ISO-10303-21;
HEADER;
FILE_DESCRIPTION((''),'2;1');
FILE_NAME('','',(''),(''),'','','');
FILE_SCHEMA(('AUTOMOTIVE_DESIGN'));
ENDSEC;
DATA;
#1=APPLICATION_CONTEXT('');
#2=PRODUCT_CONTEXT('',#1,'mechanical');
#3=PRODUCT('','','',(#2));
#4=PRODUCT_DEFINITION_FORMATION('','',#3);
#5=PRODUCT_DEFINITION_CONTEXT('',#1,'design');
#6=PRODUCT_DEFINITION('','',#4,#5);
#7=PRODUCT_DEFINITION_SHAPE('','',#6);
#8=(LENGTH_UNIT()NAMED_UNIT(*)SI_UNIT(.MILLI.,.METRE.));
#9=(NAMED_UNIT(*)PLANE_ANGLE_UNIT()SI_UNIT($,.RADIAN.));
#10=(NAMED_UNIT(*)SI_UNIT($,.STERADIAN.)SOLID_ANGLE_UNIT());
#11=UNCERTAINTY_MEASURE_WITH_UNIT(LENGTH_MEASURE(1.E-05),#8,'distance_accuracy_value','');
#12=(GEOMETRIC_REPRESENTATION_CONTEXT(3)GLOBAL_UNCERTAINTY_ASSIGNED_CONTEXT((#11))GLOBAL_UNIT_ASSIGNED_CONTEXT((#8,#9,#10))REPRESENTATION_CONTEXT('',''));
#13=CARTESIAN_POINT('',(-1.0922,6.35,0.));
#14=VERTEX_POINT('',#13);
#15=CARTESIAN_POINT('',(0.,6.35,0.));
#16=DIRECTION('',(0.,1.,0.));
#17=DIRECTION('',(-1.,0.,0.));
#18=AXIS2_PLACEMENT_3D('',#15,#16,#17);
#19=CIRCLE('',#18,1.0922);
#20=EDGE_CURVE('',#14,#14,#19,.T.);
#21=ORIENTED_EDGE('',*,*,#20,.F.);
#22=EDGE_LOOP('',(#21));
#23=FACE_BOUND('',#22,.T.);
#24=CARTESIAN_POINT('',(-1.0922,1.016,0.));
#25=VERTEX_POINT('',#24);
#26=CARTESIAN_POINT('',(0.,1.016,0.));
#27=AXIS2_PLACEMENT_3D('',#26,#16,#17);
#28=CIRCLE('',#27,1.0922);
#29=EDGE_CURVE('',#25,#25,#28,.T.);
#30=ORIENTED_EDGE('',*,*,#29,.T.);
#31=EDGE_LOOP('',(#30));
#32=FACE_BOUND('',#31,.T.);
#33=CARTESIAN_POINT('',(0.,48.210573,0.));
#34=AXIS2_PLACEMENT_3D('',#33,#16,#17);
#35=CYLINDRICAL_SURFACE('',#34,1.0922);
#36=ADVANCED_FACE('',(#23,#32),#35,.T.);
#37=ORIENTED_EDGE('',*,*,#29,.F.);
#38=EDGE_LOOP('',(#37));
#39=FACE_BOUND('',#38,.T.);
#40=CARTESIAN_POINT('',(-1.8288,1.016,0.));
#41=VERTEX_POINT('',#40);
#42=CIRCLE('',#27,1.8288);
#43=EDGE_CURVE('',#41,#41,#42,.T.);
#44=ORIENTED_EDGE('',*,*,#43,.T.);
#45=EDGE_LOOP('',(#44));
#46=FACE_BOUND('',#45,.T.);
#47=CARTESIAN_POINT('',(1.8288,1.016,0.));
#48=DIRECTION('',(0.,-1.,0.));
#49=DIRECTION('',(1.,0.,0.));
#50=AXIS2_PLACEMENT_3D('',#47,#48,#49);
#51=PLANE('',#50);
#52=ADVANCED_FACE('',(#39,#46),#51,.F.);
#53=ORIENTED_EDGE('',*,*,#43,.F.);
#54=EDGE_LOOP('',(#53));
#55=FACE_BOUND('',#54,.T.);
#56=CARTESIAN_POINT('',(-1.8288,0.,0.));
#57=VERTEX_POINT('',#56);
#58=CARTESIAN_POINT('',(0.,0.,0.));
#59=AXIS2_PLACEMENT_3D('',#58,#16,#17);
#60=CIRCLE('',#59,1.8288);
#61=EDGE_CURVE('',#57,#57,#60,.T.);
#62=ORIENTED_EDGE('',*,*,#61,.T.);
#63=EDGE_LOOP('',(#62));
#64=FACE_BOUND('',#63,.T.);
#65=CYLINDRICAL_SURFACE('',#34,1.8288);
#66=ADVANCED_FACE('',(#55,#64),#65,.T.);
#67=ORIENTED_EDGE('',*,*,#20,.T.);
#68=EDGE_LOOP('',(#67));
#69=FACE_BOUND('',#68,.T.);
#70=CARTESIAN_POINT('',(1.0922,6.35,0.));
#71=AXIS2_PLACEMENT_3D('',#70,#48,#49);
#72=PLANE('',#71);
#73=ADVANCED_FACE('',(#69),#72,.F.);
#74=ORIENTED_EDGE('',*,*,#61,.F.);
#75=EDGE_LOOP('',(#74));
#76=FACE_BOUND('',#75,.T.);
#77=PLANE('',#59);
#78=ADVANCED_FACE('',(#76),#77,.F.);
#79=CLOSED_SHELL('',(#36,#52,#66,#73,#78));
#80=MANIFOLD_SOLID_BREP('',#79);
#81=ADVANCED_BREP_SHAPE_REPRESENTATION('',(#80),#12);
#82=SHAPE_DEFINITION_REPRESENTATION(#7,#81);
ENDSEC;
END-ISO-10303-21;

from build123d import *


with BuildPart() as part:
    # Sketch1 → Revolve1 (revolve)
    with BuildSketch(Plane.XY, mode=Mode.PRIVATE) as revolve1_sk:
        Polygon((0, 0), (1.8288, 0), (1.8288, 1.016), (1.0922, 1.016), (1.0922, 6.35), (0, 6.35), align=None)
    revolve(revolve1_sk.sketch.rotate(Axis((0, 48.210572936, 0), (0, -1, 0)), 180), axis=Axis((0, 48.210572936, 0), (0, -1, 0)))  # turned: the seam where the file's is


solid = part.part
